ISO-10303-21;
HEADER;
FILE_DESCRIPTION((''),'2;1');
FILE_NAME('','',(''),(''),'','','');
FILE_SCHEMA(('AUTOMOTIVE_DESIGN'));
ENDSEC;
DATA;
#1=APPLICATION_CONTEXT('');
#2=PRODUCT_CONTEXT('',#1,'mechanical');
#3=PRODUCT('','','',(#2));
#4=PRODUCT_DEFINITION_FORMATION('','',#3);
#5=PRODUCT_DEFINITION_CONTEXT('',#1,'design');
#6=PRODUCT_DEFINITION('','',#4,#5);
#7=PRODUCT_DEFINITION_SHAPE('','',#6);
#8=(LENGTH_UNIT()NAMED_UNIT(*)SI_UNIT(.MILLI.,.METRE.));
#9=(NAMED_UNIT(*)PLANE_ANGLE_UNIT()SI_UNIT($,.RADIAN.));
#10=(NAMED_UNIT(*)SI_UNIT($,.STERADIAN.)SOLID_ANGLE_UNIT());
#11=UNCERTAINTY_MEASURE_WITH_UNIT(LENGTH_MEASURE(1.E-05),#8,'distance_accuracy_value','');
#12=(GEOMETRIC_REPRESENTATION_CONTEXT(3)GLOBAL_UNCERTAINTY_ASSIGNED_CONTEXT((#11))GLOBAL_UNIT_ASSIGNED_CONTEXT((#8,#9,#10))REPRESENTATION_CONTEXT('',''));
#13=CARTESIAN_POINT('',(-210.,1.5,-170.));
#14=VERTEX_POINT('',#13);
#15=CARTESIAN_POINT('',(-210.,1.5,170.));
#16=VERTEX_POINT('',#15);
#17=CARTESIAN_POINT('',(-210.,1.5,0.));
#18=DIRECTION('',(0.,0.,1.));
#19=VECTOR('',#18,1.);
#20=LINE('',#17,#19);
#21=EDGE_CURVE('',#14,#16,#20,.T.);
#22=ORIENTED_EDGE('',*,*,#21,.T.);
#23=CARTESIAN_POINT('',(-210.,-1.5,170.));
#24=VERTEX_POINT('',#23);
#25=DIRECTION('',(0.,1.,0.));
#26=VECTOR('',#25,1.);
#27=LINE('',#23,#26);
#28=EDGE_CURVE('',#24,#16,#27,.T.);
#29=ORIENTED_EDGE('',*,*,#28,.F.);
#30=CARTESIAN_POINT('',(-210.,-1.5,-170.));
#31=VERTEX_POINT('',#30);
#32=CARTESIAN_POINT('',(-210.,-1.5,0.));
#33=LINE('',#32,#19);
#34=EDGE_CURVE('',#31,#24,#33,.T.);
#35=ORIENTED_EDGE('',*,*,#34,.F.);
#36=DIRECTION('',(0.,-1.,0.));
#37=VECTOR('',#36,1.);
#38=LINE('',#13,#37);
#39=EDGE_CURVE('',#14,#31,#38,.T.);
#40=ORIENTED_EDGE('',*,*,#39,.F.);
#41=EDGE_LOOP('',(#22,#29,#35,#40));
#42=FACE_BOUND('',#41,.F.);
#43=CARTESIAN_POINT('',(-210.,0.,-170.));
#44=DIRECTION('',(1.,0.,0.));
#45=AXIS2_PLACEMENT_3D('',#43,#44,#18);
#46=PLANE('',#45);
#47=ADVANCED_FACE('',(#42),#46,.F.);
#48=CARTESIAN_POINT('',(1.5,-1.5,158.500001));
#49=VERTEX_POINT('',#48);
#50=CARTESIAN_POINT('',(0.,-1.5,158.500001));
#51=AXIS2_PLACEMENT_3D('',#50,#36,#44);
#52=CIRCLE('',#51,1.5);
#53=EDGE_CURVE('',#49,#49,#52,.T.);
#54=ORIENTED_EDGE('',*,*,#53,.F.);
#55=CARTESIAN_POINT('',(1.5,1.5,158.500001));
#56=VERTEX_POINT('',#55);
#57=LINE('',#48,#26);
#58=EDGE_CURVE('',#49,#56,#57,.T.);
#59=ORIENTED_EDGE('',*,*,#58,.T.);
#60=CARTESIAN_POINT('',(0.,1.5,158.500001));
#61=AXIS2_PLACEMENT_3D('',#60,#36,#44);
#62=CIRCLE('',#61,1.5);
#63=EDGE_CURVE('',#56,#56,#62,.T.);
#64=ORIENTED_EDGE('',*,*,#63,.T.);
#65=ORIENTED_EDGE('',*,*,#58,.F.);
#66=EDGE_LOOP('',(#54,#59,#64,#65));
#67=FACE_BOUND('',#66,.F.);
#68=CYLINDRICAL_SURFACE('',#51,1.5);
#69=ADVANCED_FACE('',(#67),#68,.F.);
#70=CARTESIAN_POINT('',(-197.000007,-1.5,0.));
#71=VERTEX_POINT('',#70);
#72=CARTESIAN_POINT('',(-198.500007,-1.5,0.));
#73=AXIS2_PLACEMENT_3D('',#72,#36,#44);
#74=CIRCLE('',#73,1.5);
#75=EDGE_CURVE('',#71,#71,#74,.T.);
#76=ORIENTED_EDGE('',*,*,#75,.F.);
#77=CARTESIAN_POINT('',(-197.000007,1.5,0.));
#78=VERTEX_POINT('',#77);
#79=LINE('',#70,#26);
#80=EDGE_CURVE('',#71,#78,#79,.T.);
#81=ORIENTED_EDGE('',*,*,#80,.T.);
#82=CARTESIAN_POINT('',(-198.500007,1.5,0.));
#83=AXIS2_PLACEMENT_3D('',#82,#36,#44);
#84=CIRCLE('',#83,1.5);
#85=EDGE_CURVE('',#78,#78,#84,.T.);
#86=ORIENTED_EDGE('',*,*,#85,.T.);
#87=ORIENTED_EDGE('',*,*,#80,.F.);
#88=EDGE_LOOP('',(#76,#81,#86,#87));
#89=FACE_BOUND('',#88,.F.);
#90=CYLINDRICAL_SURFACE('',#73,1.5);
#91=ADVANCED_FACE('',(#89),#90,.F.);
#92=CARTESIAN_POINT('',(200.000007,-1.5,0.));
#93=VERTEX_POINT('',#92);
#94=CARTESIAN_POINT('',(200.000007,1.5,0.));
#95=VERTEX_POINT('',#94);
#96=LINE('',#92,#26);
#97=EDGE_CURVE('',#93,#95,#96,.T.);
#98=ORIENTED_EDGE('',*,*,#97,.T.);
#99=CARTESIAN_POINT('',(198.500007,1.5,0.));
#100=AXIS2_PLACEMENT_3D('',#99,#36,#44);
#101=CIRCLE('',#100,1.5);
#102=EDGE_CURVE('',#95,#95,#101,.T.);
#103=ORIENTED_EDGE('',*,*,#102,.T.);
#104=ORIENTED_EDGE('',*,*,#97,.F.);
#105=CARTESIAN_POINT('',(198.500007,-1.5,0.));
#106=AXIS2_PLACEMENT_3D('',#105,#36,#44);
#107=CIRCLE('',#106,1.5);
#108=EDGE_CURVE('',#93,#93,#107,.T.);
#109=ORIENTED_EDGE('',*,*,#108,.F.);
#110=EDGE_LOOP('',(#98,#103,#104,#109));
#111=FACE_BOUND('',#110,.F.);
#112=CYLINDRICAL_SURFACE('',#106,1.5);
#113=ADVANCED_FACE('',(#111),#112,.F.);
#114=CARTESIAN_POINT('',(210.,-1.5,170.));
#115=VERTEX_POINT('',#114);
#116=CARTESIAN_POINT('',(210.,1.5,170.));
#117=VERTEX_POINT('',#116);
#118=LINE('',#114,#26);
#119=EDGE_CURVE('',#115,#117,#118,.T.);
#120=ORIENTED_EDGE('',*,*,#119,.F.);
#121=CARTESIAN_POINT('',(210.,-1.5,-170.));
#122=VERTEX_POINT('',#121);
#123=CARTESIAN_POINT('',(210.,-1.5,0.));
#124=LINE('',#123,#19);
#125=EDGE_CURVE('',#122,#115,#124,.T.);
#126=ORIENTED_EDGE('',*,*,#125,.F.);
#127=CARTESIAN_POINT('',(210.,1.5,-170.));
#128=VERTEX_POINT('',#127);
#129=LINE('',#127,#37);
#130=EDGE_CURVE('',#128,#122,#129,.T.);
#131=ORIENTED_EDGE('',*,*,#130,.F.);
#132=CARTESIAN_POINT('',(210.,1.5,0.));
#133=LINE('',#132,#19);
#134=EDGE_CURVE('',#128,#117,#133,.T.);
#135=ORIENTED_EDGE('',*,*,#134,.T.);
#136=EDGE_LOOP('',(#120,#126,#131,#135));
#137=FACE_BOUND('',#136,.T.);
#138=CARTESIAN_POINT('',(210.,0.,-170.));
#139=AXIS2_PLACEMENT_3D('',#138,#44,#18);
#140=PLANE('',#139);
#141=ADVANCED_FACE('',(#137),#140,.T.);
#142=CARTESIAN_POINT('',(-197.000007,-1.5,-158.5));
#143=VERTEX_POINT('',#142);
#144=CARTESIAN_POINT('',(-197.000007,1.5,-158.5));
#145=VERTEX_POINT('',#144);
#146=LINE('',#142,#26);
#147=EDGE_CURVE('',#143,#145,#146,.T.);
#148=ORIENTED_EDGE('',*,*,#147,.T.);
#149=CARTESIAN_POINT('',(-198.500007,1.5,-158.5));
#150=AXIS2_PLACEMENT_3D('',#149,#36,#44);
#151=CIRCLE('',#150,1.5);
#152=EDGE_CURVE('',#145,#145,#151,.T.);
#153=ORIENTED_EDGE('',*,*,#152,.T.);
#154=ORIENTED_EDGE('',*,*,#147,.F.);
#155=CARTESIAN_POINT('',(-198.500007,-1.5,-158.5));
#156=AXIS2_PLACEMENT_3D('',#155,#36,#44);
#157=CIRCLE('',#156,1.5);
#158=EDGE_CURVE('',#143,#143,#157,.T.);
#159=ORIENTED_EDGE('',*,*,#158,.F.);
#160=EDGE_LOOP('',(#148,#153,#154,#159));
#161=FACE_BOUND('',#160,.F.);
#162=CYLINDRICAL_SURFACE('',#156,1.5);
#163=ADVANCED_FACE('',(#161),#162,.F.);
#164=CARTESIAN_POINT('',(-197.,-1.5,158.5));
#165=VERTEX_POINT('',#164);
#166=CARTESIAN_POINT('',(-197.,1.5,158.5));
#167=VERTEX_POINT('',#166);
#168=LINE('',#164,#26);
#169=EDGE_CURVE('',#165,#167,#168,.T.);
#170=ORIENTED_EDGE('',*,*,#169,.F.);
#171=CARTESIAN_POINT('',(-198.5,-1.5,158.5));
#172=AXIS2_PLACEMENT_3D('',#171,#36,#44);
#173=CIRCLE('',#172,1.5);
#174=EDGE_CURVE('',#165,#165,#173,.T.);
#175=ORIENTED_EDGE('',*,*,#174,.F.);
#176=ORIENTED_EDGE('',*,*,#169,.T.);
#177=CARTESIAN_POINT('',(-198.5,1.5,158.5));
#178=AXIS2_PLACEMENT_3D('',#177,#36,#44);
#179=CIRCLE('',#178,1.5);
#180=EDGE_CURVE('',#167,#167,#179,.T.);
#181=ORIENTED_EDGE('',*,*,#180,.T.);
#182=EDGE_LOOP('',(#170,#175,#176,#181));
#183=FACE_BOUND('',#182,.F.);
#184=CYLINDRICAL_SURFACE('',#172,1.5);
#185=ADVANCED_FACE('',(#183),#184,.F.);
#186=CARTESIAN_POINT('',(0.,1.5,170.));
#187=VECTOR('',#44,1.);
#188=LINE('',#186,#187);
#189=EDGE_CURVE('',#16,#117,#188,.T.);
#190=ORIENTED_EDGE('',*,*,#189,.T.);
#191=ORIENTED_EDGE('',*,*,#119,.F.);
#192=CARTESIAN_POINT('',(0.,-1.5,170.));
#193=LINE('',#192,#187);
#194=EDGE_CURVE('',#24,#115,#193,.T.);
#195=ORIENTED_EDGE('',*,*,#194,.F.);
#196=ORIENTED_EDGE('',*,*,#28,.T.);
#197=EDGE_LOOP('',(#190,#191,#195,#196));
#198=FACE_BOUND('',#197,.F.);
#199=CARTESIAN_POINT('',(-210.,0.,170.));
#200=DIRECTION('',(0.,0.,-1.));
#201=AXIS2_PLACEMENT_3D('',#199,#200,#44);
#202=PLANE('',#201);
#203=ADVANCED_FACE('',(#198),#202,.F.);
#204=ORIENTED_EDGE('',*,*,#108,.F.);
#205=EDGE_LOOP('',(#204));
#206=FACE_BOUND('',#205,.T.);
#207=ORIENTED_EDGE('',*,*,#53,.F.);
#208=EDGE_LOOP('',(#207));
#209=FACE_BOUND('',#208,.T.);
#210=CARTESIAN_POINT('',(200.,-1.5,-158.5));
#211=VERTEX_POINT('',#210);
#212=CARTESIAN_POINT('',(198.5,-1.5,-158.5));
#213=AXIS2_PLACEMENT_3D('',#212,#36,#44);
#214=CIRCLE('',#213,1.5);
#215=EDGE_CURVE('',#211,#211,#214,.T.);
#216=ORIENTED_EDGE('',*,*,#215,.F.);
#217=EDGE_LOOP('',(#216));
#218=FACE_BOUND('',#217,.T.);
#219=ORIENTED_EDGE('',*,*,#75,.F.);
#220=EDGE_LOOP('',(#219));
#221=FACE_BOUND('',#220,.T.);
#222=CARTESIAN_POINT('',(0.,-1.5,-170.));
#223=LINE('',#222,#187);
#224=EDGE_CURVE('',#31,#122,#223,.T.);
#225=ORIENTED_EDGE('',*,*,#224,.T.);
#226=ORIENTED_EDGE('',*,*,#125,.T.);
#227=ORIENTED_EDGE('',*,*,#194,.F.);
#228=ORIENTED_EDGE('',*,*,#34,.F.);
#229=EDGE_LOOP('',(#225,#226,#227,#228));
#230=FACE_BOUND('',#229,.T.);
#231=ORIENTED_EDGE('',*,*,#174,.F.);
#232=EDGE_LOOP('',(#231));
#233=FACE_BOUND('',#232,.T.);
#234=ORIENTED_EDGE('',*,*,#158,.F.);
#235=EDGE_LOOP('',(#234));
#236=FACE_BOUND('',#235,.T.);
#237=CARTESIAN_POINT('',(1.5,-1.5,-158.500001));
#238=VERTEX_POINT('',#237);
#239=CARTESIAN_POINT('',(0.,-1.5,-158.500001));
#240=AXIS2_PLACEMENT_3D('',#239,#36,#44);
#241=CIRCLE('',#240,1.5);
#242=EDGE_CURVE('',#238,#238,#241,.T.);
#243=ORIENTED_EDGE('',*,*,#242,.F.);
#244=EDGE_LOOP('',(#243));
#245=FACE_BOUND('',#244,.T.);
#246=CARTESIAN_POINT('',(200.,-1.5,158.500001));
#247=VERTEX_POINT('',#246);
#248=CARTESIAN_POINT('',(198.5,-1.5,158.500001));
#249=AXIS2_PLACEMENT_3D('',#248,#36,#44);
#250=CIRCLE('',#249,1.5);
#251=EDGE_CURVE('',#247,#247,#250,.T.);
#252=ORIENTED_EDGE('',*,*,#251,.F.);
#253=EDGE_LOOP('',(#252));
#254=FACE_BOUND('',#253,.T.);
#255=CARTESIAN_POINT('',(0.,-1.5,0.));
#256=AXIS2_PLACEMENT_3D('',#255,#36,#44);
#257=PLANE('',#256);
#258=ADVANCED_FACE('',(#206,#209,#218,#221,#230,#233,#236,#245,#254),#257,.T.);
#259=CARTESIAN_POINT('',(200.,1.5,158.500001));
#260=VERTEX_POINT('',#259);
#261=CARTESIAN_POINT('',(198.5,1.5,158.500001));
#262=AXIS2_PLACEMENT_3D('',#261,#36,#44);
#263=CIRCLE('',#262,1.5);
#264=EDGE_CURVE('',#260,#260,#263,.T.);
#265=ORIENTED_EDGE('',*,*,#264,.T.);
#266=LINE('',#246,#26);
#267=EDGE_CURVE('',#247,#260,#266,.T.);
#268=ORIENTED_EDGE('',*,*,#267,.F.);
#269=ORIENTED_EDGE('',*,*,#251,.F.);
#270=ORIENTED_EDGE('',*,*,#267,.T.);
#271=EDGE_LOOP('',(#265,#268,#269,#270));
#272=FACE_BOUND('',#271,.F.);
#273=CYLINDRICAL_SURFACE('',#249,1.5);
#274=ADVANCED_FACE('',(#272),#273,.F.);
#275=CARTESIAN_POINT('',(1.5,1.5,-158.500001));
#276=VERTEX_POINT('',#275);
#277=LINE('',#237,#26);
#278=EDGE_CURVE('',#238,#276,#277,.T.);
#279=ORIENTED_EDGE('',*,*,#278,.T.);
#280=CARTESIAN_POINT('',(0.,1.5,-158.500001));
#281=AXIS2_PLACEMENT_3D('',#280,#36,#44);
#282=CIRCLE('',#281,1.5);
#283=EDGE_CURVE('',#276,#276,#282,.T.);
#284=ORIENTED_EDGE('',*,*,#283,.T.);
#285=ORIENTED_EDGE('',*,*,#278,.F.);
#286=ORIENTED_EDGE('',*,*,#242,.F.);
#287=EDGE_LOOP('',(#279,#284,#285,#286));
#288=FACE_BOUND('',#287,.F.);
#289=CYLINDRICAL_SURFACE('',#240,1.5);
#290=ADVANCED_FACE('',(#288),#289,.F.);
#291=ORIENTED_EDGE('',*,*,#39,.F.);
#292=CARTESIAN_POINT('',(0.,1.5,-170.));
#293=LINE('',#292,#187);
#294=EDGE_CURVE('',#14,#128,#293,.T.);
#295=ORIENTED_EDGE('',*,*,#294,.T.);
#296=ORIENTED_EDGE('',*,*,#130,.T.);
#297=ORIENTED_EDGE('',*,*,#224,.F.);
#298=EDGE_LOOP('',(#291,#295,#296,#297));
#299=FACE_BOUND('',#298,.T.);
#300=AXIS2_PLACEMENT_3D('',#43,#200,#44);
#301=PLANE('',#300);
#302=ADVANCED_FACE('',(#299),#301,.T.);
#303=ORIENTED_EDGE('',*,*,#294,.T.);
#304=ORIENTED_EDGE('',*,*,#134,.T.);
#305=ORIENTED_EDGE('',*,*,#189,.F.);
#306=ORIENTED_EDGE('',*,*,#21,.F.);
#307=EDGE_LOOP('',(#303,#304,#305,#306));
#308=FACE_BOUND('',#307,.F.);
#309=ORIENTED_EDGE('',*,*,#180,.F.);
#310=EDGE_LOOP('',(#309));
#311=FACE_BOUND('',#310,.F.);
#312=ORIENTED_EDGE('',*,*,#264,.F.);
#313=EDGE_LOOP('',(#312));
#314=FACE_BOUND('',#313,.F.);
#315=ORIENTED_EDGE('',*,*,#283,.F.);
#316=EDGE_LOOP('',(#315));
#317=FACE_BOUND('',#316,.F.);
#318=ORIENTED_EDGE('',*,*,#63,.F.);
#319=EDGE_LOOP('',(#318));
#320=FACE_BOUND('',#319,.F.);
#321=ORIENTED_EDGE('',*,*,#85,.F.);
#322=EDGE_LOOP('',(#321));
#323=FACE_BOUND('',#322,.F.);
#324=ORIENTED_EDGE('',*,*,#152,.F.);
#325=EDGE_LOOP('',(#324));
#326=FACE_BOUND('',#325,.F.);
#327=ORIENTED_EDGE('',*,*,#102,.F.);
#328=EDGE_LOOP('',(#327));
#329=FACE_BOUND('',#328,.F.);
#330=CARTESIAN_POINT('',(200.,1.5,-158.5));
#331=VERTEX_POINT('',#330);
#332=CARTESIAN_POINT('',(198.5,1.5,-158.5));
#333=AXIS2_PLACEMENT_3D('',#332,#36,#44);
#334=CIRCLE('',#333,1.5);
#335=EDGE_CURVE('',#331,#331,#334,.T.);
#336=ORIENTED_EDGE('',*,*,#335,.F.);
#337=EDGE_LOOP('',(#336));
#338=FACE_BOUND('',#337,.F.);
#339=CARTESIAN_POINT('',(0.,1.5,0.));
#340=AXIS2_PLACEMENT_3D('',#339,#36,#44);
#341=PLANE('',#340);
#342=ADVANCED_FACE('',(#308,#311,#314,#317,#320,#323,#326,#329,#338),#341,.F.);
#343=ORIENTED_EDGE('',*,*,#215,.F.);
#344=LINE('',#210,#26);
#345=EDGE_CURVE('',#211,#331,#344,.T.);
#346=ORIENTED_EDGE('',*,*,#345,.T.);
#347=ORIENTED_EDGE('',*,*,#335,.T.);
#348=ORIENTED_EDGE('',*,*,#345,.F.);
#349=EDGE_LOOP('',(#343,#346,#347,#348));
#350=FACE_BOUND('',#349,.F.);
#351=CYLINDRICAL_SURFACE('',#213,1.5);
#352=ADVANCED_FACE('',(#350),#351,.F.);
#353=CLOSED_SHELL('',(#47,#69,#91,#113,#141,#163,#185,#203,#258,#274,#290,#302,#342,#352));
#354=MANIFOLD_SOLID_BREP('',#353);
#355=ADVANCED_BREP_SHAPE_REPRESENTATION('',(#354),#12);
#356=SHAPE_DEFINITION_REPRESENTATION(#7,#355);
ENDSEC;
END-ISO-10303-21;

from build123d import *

# Parameters (mm, degrees)
F0_W     = 420
F0_H     = 340
F1_DEPTH = 1.5
F2_R     = 1.5
F3_DEPTH = 25


with BuildPart() as f1:
    # F0 (on Front) → F1 (new body, symmetric)
    with BuildSketch(Plane.XZ):
        Rectangle(F0_W, F0_H)
    extrude(amount=F1_DEPTH, both=True)

    # F2 (on face) → F3 (cut)
    with BuildSketch(Plane.XZ.offset(1.5)):
        with Locations((-198.5, 158.5)):
            Circle(F2_R)
        with Locations((198.5, -158.5)):
            Circle(F2_R)
        with Locations((198.5, 158.500001)):
            Circle(F2_R)
        with Locations((0, 158.500001)):
            Circle(F2_R)
        with Locations((198.500007, 0)):
            Circle(F2_R)
        with Locations((-198.500007, -158.5)):
            Circle(F2_R)
        with Locations((-198.500007, 0)):
            Circle(F2_R)
        with Locations((0, -158.500001)):
            Circle(F2_R)
    extrude(amount=-F3_DEPTH, mode=Mode.SUBTRACT)


solid = f1.part
